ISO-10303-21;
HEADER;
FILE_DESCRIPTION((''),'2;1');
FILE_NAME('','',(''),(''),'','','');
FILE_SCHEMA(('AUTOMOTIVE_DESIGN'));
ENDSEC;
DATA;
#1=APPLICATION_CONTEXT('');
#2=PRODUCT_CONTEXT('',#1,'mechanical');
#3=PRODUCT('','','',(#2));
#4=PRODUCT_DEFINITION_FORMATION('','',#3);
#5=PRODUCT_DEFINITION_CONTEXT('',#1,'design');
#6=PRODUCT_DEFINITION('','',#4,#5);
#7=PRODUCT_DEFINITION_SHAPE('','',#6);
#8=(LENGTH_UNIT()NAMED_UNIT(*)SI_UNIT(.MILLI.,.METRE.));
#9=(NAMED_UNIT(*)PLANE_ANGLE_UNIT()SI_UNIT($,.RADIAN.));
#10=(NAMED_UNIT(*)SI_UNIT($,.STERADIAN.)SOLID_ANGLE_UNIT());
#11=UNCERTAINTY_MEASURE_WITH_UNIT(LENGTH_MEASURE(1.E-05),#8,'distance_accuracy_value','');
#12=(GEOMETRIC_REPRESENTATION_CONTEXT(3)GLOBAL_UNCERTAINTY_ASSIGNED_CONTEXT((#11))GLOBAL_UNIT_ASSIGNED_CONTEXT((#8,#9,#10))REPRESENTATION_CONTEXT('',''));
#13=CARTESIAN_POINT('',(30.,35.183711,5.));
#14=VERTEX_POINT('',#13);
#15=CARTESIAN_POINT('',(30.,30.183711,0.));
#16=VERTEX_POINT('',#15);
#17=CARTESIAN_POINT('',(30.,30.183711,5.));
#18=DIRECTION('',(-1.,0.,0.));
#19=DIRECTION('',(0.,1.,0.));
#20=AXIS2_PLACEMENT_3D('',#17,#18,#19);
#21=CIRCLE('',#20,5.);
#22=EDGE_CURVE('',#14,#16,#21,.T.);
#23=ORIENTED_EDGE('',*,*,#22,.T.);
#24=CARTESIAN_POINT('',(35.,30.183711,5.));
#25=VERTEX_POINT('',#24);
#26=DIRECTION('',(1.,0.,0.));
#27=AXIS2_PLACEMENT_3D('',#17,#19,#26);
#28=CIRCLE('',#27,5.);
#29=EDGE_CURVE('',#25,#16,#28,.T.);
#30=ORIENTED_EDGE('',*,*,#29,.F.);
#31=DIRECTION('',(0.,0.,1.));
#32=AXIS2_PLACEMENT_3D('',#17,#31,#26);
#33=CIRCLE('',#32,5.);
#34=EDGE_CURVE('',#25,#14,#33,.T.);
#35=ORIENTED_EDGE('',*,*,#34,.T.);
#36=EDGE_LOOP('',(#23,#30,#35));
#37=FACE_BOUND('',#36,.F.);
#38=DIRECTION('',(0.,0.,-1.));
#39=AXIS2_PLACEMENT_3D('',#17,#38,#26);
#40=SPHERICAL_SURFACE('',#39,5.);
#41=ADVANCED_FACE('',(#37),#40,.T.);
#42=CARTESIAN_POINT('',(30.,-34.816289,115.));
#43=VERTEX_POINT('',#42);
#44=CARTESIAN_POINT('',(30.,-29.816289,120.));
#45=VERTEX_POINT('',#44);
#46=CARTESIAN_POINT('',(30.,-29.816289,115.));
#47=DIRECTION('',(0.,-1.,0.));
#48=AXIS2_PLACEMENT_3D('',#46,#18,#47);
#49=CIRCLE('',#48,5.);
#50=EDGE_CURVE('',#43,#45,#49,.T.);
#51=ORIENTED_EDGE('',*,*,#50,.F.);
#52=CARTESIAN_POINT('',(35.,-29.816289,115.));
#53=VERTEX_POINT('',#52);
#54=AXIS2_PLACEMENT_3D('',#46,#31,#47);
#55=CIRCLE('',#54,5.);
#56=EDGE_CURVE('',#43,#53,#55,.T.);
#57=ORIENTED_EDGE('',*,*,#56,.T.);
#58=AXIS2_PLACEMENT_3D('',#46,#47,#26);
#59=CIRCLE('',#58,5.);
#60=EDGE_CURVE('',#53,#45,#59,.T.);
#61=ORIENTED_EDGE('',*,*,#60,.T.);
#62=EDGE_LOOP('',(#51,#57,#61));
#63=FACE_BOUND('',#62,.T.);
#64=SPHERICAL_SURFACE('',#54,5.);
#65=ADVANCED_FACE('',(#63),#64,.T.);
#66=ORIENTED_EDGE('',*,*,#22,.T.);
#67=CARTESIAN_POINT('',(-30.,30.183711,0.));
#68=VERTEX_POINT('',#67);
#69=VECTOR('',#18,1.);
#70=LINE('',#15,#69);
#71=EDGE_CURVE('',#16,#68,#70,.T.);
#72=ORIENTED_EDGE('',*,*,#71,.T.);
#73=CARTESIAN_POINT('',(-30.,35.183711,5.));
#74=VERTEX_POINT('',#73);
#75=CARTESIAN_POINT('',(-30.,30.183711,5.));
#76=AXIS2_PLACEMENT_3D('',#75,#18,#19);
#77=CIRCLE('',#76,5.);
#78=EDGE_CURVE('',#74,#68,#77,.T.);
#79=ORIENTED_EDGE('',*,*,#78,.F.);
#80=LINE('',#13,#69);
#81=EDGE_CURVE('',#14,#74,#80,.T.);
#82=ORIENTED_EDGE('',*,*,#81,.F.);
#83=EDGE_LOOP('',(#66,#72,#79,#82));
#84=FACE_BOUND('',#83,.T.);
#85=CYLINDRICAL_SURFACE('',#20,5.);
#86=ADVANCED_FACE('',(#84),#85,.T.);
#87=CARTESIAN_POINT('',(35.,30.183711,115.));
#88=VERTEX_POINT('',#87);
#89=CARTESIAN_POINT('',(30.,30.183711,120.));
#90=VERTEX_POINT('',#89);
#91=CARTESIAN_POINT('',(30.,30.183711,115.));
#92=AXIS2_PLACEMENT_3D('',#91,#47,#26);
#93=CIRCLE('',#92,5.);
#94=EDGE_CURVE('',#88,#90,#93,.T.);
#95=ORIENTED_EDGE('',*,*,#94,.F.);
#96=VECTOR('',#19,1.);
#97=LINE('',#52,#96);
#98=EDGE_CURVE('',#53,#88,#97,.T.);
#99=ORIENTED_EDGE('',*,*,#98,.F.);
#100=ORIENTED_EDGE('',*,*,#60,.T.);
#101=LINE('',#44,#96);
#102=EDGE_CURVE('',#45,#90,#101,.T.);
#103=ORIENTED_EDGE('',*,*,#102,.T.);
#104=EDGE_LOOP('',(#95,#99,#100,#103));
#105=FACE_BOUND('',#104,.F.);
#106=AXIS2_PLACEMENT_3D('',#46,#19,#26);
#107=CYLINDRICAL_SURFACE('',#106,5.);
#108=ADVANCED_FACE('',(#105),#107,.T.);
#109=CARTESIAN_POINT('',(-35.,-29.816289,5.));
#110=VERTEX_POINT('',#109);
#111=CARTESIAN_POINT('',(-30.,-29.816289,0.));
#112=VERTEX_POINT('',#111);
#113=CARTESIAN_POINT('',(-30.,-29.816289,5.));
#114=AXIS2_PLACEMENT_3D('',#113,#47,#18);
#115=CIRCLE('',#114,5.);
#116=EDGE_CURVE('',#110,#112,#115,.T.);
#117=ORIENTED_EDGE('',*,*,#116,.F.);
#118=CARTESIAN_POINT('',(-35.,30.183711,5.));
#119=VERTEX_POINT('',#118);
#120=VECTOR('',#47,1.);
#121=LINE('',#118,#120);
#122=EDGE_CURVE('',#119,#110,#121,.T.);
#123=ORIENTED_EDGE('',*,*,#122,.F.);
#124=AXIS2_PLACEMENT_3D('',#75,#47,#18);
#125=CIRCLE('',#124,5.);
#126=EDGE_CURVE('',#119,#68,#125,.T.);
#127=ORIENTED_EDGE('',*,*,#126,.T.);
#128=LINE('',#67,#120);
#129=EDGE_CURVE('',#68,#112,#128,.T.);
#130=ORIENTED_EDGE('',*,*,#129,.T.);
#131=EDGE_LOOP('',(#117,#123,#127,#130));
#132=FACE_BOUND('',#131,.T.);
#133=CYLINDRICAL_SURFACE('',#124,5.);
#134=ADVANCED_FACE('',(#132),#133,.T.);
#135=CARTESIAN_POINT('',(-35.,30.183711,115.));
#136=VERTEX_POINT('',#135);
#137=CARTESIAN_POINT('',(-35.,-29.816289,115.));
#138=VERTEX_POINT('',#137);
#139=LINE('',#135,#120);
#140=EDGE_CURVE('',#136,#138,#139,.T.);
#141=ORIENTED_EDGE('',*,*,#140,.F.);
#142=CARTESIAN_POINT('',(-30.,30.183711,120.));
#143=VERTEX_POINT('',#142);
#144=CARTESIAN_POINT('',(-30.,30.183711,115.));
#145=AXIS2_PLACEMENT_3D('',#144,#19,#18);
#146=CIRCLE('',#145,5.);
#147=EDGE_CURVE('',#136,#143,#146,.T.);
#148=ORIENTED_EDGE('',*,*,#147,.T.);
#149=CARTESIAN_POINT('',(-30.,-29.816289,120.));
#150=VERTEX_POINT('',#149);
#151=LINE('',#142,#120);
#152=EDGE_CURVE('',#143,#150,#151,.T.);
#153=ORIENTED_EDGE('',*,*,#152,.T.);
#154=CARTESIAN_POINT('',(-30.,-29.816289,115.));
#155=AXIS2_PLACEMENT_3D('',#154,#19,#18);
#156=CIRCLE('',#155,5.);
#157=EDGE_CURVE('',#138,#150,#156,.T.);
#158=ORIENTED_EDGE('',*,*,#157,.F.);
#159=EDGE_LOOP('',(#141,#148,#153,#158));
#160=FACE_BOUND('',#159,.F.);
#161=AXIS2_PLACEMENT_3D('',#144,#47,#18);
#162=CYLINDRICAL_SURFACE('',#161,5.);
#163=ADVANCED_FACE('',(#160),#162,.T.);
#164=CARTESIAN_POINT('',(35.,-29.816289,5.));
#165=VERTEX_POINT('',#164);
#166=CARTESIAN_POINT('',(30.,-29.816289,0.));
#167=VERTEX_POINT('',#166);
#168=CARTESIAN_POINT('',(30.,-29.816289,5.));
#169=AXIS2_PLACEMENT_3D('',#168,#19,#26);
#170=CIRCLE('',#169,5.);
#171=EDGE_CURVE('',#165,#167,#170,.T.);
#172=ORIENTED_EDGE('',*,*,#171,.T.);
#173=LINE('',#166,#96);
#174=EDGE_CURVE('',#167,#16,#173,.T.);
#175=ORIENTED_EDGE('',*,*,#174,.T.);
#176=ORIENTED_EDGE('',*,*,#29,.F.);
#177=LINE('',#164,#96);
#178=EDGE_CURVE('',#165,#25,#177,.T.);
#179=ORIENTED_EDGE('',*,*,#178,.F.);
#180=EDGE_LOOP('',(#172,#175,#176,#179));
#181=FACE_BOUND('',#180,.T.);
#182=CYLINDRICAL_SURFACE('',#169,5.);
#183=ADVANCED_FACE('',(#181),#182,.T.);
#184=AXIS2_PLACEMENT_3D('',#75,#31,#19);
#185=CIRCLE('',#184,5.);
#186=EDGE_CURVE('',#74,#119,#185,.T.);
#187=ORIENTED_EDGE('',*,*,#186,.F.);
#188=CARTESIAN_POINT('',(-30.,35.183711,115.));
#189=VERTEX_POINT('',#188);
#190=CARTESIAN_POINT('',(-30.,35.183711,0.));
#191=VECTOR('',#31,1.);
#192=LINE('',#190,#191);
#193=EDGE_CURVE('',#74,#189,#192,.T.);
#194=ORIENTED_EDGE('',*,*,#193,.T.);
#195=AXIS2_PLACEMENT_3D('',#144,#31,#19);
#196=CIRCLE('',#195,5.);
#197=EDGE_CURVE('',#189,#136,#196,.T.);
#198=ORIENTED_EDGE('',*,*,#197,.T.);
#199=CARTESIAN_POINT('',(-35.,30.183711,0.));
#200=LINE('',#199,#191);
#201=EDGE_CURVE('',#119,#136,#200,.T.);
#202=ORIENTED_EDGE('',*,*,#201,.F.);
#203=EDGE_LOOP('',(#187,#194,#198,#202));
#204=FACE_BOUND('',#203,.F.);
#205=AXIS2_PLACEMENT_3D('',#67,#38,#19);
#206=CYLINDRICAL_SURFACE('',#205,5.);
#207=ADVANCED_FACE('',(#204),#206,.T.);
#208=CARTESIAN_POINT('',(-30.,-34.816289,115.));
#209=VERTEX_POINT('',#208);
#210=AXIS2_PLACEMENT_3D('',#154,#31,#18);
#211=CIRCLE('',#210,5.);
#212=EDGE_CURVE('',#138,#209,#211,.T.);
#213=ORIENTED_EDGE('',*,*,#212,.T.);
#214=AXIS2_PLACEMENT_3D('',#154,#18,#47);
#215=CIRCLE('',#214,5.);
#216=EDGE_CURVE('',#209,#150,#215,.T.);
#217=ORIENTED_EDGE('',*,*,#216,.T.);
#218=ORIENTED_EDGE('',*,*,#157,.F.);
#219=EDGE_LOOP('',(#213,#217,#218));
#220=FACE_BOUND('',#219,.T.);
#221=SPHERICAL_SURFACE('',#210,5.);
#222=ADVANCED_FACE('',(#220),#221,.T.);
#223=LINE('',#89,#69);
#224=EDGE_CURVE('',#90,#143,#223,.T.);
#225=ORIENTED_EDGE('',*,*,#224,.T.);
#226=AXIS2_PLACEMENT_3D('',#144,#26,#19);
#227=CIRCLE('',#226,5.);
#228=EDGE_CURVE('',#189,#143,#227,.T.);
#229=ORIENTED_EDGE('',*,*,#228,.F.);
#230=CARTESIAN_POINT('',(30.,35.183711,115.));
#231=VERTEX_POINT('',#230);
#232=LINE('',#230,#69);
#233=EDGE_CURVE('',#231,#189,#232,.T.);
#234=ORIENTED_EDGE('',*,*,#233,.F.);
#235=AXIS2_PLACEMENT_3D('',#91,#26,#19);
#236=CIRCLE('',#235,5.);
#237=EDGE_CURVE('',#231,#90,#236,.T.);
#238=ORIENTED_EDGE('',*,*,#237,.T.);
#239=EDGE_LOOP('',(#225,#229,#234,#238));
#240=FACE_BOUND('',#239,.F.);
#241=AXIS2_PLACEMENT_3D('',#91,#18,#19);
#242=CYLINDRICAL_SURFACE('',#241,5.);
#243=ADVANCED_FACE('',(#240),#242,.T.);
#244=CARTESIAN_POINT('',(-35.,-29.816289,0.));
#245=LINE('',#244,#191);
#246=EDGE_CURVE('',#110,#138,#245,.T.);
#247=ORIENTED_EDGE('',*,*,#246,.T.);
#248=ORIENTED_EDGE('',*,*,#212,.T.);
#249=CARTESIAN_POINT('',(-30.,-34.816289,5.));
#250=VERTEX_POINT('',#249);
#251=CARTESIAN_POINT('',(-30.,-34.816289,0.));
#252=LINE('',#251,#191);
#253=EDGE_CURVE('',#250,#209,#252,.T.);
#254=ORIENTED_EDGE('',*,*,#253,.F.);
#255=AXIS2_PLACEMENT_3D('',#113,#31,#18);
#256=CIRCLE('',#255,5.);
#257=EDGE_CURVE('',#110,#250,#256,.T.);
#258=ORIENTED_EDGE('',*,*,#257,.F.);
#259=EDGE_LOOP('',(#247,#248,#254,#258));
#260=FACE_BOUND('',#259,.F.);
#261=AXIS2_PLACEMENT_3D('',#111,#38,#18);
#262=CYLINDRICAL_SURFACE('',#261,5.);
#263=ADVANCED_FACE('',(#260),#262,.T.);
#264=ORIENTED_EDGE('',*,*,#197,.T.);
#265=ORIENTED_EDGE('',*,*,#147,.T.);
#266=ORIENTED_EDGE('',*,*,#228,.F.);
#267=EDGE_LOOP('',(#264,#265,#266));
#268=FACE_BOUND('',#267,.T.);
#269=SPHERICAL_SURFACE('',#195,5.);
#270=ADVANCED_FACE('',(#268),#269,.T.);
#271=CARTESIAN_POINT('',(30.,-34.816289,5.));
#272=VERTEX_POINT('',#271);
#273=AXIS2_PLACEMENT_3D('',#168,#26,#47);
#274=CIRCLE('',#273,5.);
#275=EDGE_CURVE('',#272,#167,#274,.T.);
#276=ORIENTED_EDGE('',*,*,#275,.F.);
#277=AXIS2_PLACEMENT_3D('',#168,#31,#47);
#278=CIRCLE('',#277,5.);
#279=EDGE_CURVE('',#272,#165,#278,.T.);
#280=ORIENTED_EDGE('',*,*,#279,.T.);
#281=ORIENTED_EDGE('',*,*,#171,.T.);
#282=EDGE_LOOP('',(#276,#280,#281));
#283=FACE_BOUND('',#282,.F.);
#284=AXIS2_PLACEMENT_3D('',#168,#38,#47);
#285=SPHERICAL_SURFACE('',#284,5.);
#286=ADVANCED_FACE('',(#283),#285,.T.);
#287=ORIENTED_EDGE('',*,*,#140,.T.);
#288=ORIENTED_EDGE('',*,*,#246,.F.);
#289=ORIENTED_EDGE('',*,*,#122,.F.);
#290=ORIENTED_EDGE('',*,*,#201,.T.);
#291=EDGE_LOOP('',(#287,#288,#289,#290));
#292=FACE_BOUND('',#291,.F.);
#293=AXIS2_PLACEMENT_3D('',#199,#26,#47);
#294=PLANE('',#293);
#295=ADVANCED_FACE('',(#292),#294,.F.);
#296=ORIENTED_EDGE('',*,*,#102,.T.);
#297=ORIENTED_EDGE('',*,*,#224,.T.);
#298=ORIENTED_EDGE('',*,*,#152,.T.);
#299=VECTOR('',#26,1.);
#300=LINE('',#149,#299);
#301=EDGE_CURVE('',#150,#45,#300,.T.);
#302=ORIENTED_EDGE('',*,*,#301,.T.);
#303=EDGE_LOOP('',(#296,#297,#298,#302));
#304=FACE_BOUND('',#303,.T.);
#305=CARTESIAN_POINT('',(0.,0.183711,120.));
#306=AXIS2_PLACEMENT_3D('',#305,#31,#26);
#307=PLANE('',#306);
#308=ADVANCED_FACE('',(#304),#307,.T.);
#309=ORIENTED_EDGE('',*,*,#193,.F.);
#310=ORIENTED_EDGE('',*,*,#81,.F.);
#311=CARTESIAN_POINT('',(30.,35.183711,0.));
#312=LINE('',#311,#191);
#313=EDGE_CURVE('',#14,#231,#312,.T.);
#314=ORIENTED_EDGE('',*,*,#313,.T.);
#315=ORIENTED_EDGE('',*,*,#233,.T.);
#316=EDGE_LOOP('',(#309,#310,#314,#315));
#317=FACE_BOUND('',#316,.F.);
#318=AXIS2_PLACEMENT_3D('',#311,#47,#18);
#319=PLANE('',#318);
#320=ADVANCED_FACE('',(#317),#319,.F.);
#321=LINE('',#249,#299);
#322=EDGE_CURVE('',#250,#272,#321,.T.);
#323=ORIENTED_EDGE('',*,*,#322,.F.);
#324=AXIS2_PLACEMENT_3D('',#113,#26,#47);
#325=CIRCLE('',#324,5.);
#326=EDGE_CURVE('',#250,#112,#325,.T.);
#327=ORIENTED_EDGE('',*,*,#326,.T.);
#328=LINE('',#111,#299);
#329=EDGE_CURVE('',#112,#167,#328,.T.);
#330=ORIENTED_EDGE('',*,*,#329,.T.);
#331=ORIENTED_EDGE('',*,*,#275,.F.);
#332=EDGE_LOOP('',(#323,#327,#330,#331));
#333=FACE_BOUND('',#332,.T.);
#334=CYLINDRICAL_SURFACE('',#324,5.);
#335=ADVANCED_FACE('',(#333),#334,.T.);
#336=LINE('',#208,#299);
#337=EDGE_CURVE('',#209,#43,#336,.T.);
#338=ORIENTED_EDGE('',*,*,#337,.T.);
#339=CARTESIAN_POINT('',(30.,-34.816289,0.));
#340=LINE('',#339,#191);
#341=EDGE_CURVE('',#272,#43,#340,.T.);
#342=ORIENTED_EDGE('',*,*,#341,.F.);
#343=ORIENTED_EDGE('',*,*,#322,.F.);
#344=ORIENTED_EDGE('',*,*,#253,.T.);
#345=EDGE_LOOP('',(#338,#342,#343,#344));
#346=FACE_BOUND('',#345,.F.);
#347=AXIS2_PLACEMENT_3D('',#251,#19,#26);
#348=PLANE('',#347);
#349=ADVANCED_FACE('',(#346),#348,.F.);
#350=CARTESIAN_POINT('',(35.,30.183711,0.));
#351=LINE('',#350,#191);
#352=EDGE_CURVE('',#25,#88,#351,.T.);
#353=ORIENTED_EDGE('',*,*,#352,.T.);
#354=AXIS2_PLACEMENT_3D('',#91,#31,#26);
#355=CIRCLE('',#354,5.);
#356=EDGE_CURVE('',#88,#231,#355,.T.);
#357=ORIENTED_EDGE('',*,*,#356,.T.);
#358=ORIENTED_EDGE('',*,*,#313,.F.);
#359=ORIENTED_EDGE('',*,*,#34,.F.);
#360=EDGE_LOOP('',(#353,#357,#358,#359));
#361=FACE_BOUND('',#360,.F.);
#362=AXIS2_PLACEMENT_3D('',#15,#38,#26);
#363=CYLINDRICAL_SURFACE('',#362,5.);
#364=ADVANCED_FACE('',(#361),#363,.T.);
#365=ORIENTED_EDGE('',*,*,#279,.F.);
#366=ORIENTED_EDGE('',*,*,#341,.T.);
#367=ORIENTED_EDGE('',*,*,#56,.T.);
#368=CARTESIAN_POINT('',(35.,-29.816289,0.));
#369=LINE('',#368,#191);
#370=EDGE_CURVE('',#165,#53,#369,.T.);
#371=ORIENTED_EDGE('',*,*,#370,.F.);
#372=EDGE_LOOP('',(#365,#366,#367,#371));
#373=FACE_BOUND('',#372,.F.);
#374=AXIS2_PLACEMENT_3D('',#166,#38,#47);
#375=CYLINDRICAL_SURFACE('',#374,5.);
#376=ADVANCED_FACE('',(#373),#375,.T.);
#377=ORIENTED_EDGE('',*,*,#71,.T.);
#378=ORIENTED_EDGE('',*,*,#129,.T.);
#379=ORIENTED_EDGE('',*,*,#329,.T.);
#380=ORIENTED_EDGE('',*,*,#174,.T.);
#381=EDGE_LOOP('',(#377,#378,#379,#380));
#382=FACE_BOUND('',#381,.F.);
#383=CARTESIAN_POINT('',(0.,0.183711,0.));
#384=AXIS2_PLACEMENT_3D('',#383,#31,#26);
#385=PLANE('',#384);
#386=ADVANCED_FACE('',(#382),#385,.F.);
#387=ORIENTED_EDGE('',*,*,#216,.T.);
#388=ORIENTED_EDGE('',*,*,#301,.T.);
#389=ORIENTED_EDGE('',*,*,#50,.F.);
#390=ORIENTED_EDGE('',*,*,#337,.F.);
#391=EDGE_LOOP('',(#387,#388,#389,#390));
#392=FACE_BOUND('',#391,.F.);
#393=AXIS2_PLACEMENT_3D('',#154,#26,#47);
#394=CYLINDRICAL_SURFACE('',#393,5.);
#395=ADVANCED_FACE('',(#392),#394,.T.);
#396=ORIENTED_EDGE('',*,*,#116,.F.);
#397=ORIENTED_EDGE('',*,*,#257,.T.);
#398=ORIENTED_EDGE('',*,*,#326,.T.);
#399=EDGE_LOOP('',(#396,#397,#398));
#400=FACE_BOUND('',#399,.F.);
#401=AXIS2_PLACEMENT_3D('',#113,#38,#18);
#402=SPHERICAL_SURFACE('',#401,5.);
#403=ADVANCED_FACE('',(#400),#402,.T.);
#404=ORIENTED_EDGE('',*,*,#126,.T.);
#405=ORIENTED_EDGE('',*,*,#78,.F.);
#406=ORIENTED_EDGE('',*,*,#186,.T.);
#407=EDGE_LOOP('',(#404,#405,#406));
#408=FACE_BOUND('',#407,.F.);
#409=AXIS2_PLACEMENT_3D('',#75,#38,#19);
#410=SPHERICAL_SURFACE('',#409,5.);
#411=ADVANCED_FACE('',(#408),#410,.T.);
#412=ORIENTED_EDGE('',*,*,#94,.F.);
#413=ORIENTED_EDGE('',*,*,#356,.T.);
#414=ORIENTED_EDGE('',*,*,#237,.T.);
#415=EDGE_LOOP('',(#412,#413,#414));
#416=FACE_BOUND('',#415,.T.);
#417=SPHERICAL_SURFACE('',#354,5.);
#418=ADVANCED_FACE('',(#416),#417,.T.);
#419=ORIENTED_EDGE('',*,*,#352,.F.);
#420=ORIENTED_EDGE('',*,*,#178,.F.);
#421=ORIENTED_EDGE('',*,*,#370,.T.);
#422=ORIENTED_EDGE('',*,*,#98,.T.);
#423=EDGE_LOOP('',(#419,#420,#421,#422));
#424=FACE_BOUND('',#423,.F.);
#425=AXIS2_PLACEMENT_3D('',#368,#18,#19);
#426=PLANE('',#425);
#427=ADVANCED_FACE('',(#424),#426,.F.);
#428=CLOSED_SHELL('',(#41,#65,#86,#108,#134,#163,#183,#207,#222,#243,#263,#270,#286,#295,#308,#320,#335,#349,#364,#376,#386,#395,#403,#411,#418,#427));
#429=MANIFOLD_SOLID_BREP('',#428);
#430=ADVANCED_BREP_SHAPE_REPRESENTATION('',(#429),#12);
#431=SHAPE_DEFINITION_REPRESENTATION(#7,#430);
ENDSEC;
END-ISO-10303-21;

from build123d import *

# Parameters (mm, degrees)
F1_DEPTH = 120
F2_R     = 5


with BuildPart() as f1:
    # F0 (on Top) → F1 (new body)
    with BuildSketch(Plane.XY):
        with BuildLine():
            Line((-30, -34.8162889995), (30, -34.8162889995))
            ThreePointArc((30, -34.8162889995), (33.5355339059, -33.3518229055), (35, -29.8162889995))
            Line((35, -29.8162889995), (35, 30.1837110005))
            ThreePointArc((35, 30.1837110005), (33.5355339059, 33.7192449064), (30, 35.1837110005))
            Line((30, 35.1837110005), (-30, 35.1837110005))
            ThreePointArc((-30, 35.1837110005), (-33.5355339059, 33.7192449064), (-35, 30.1837110005))
            Line((-35, 30.1837110005), (-35, -29.8162889995))
            ThreePointArc((-35, -29.8162889995), (-33.5355339059, -33.3518229055), (-30, -34.8162889995))
        make_face()
    extrude(amount=F1_DEPTH)

    # F2
    f2_edges = [f1.edges().sort_by_distance(p)[0] for p in [
        (-35, 0.183711, 120),
        (-33.535534, -33.351823, 120),
        (0, -34.816289, 120),
        (33.535534, -33.351823, 120),
        (35, 0.183711, 120),
        (33.535534, 33.719245, 120),
        (0, 35.183711, 120),
        (-33.535534, 33.719245, 120),
        (-35, 0.183711, 0),
        (-33.535534, -33.351823, 0),
        (0, -34.816289, 0),
        (33.535534, -33.351823, 0),
        (35, 0.183711, 0),
        (33.535534, 33.719245, 0),
        (0, 35.183711, 0),
        (-33.535534, 33.719245, 0),
    ]]
    fillet(f2_edges, radius=F2_R)


solid = f1.part
